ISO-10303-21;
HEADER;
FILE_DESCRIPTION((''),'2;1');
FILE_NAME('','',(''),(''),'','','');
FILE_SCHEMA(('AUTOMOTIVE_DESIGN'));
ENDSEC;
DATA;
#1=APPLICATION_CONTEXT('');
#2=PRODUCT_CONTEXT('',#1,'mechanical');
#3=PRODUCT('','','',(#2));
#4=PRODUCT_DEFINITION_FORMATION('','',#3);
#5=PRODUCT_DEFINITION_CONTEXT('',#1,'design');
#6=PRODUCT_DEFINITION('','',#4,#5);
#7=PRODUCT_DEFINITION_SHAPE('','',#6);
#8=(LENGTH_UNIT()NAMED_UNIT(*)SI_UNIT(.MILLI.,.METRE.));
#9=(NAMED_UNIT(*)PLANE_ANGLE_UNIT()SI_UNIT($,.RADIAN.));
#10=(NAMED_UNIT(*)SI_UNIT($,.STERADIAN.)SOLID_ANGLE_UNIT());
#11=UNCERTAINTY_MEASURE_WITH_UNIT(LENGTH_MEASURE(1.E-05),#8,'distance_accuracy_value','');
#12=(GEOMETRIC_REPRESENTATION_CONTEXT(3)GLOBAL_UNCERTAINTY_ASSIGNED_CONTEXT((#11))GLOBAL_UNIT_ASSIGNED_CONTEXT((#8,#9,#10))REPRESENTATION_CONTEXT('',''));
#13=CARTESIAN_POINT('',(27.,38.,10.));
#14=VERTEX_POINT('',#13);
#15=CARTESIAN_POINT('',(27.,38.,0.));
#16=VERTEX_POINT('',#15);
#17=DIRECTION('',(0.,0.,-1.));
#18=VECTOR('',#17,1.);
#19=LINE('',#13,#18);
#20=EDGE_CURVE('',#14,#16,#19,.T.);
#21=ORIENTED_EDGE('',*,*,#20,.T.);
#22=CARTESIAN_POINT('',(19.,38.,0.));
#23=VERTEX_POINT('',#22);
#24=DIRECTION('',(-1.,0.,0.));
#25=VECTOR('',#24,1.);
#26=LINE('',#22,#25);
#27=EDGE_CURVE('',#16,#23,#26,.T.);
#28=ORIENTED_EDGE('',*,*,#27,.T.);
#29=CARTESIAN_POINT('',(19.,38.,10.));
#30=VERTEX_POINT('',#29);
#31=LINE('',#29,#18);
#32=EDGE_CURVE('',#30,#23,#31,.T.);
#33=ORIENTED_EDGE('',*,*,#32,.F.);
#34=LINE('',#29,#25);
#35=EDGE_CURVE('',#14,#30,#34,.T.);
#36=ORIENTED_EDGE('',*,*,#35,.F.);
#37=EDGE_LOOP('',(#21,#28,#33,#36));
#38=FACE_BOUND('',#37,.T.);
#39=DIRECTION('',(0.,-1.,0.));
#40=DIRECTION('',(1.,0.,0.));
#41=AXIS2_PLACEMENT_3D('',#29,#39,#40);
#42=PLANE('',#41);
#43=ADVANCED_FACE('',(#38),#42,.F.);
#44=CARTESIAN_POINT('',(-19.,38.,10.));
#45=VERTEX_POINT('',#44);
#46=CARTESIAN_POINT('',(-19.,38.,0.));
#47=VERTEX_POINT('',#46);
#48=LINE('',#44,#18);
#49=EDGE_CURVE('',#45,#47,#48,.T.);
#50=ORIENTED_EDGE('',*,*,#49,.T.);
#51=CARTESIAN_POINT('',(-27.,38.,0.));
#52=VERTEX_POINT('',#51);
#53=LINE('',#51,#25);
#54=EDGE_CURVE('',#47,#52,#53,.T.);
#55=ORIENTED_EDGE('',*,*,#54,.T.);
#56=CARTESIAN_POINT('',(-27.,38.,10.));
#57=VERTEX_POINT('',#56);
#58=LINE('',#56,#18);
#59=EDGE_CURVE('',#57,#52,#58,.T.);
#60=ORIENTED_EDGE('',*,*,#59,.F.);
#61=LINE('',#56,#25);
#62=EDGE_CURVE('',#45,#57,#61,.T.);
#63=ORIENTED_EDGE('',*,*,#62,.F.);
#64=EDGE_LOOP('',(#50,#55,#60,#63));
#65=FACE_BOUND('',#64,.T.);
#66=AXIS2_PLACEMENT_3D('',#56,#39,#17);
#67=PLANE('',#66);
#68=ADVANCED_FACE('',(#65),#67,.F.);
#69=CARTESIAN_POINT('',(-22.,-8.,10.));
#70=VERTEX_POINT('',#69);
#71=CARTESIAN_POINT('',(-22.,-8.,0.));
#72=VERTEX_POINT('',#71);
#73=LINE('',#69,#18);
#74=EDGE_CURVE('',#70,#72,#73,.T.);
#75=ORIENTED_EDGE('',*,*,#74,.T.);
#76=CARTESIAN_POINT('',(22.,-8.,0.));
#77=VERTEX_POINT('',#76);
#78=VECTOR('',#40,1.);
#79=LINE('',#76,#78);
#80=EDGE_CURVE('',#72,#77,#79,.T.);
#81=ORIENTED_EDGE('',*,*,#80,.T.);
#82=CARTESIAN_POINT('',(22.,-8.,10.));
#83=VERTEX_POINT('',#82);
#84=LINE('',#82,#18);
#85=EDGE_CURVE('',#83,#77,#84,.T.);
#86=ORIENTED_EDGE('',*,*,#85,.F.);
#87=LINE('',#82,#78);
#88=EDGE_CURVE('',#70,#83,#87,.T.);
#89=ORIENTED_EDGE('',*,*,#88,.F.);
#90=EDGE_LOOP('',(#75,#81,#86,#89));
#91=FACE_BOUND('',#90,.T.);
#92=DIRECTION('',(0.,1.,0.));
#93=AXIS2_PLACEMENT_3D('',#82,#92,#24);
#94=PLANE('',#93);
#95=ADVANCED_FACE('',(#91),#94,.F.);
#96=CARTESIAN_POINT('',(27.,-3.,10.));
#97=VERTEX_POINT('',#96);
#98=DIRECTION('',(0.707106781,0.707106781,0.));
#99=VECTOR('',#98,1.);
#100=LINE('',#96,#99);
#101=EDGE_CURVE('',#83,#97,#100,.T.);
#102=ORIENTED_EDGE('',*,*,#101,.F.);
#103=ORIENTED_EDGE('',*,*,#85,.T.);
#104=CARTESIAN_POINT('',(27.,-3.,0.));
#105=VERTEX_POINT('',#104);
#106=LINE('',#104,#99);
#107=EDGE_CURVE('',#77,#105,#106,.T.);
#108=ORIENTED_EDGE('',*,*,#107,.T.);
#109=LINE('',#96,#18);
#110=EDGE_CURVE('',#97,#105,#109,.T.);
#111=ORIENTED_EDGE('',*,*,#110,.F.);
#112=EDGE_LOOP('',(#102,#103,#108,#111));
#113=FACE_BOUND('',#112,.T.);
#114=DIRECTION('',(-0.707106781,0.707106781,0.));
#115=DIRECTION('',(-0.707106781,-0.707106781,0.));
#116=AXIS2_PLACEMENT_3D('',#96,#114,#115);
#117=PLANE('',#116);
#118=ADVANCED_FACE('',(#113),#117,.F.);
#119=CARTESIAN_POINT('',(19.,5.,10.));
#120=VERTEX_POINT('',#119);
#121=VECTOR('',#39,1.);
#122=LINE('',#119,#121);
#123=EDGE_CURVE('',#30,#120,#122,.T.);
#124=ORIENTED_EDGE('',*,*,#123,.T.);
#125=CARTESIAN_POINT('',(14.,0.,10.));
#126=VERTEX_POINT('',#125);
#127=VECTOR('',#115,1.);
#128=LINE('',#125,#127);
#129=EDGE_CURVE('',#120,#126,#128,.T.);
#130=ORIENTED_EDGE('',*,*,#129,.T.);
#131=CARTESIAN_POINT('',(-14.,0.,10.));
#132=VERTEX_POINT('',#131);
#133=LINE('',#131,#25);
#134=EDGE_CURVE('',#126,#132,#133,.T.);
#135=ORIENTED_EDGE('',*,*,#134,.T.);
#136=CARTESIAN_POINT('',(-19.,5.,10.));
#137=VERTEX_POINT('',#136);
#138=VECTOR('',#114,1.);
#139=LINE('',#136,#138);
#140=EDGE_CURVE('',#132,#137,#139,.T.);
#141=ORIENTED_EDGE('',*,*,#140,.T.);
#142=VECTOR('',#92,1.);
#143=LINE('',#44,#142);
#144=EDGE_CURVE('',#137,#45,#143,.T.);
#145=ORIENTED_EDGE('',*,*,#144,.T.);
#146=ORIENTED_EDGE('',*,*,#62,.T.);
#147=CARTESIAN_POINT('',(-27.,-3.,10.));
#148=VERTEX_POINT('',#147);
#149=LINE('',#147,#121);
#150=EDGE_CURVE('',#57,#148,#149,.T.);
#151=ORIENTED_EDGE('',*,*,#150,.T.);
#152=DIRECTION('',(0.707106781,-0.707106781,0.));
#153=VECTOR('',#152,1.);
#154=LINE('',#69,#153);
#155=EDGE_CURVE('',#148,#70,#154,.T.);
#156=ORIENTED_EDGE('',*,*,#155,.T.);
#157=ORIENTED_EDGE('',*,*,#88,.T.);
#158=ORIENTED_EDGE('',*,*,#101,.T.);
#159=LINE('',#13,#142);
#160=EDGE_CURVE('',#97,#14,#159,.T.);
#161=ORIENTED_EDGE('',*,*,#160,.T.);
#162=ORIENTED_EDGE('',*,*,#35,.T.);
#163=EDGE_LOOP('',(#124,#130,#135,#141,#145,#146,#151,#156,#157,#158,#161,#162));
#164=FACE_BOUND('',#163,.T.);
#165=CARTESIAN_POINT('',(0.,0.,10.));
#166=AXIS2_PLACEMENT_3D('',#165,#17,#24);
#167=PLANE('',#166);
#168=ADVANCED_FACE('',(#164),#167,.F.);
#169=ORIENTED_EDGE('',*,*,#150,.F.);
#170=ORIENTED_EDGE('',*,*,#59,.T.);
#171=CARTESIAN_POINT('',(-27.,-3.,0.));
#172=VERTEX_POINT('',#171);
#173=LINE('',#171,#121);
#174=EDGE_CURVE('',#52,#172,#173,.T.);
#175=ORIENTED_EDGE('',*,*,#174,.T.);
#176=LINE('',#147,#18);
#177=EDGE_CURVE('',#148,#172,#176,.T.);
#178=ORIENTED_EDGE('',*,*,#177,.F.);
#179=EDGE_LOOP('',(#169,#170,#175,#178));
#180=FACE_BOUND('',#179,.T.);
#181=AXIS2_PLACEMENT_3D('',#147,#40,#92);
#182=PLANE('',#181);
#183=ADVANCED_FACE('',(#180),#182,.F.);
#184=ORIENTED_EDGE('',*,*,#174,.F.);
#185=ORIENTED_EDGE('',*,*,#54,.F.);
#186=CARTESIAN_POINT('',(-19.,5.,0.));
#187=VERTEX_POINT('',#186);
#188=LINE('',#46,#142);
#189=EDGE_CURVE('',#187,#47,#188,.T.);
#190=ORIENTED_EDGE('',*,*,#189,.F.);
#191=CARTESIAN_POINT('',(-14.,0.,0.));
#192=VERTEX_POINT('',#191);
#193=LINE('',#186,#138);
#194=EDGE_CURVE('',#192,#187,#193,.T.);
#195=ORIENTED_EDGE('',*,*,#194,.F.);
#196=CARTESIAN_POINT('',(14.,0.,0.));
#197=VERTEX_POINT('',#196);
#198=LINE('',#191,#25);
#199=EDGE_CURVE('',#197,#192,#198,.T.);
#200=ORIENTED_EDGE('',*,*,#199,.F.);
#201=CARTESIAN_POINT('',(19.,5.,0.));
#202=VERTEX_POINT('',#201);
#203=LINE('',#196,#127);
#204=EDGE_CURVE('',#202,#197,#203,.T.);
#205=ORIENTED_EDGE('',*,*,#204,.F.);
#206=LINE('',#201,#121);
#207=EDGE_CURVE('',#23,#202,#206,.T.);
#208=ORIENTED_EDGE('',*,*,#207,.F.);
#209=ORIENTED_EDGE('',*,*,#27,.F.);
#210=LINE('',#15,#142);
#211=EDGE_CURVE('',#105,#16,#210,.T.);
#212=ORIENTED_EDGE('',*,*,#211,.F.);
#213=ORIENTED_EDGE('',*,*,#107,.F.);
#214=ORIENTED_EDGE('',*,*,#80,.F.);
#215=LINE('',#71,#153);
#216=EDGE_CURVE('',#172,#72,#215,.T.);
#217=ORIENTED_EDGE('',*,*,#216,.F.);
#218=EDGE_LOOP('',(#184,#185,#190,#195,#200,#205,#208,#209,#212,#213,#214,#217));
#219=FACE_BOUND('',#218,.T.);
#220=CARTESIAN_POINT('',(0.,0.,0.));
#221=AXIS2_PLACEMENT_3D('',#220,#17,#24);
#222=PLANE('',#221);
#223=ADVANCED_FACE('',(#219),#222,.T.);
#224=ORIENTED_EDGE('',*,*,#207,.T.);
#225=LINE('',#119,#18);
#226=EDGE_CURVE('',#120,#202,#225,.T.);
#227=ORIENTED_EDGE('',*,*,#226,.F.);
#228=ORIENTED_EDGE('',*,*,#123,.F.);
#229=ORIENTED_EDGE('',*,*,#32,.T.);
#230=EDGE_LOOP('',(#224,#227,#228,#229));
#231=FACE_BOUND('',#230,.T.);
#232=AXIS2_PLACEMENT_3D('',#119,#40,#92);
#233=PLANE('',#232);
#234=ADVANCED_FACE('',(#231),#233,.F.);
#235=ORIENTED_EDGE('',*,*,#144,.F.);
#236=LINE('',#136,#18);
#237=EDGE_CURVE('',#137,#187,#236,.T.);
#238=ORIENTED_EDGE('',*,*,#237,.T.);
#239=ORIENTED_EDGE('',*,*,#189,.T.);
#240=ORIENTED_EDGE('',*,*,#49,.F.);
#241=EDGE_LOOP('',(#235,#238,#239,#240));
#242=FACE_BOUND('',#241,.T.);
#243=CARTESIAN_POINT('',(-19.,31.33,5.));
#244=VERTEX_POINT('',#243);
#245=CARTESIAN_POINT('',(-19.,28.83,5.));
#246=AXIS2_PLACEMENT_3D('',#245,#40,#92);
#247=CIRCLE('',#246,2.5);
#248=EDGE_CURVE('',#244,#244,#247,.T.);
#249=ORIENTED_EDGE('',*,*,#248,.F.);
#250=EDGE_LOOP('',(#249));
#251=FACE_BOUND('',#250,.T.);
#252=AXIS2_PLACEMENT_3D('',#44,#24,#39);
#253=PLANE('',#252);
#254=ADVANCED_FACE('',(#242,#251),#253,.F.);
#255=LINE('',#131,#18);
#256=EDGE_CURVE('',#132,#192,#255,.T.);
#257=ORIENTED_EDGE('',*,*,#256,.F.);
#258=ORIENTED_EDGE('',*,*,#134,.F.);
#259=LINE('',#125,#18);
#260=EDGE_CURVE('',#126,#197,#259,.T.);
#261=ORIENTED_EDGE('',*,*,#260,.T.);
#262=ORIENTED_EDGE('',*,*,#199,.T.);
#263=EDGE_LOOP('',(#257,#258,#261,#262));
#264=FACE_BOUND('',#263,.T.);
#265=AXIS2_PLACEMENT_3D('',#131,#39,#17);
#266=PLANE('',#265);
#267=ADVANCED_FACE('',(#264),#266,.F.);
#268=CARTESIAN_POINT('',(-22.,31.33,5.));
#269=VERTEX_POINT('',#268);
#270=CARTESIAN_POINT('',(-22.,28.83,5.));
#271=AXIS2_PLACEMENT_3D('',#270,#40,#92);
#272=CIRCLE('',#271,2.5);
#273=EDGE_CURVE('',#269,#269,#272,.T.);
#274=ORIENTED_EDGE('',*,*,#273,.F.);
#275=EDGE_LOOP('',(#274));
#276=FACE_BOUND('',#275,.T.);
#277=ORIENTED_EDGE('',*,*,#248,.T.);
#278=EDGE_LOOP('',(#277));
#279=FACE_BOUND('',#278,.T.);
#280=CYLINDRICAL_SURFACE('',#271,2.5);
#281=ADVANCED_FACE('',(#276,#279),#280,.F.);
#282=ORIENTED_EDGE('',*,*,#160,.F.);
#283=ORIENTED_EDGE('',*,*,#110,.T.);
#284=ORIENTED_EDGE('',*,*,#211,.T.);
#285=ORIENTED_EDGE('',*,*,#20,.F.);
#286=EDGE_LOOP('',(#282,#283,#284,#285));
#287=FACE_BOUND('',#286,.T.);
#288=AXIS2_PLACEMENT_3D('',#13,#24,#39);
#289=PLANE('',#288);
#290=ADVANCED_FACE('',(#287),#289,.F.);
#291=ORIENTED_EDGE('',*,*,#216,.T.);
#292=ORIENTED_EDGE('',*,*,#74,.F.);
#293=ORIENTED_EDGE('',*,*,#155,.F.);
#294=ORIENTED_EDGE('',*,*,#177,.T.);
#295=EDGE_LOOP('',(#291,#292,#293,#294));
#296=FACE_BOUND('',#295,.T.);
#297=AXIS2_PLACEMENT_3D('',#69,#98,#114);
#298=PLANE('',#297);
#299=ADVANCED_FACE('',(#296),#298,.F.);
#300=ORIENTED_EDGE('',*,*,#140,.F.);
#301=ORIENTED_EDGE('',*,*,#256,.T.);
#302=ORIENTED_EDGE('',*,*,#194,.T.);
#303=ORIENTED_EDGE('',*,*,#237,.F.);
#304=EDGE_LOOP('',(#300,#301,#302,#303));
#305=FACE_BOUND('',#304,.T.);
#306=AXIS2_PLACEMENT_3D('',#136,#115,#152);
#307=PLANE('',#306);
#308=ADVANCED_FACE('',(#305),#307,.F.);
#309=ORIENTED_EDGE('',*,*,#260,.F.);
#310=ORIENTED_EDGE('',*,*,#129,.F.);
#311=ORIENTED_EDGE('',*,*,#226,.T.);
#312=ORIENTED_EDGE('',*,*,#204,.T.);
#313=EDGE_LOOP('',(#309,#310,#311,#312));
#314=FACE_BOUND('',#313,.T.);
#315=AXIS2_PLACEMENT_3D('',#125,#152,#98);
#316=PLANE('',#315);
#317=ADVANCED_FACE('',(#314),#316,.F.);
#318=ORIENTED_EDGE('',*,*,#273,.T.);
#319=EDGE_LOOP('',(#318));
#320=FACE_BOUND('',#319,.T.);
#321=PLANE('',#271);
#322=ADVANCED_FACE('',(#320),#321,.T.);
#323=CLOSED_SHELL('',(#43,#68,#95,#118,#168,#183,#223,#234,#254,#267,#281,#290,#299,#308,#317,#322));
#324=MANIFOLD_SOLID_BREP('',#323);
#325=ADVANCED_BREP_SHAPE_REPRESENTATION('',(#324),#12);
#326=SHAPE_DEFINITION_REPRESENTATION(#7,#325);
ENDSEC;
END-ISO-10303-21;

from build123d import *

# Parameters (mm, degrees)
BOSS_EXTRUDE1_DEPTH = 10
SKETCH2_R           = 2.5
CUT_EXTRUDE1_DEPTH  = 3


with BuildPart() as part:
    # Sketch1 → Boss-Extrude1 (new body)
    with BuildSketch(Plane.XY):
        Polygon((-27, 38), (-19, 38), (-19, 5), (-14, 0), (14, 0), (19, 5), (19, 38), (27, 38), (27, -3), (22, -8), (-22, -8), (-27, -3), align=None)
    extrude(amount=BOSS_EXTRUDE1_DEPTH)

    # Sketch2 → Cut-Extrude1 (cut)
    with BuildSketch(Plane(origin=(-19, 0, 0), x_dir=(0, 0, -1), z_dir=(1, 0, 0))):
        with Locations(Location((-5, 28.83, 0), (0, 0, 90))):
            Circle(SKETCH2_R)
    extrude(amount=-CUT_EXTRUDE1_DEPTH, mode=Mode.SUBTRACT)


solid = part.part
